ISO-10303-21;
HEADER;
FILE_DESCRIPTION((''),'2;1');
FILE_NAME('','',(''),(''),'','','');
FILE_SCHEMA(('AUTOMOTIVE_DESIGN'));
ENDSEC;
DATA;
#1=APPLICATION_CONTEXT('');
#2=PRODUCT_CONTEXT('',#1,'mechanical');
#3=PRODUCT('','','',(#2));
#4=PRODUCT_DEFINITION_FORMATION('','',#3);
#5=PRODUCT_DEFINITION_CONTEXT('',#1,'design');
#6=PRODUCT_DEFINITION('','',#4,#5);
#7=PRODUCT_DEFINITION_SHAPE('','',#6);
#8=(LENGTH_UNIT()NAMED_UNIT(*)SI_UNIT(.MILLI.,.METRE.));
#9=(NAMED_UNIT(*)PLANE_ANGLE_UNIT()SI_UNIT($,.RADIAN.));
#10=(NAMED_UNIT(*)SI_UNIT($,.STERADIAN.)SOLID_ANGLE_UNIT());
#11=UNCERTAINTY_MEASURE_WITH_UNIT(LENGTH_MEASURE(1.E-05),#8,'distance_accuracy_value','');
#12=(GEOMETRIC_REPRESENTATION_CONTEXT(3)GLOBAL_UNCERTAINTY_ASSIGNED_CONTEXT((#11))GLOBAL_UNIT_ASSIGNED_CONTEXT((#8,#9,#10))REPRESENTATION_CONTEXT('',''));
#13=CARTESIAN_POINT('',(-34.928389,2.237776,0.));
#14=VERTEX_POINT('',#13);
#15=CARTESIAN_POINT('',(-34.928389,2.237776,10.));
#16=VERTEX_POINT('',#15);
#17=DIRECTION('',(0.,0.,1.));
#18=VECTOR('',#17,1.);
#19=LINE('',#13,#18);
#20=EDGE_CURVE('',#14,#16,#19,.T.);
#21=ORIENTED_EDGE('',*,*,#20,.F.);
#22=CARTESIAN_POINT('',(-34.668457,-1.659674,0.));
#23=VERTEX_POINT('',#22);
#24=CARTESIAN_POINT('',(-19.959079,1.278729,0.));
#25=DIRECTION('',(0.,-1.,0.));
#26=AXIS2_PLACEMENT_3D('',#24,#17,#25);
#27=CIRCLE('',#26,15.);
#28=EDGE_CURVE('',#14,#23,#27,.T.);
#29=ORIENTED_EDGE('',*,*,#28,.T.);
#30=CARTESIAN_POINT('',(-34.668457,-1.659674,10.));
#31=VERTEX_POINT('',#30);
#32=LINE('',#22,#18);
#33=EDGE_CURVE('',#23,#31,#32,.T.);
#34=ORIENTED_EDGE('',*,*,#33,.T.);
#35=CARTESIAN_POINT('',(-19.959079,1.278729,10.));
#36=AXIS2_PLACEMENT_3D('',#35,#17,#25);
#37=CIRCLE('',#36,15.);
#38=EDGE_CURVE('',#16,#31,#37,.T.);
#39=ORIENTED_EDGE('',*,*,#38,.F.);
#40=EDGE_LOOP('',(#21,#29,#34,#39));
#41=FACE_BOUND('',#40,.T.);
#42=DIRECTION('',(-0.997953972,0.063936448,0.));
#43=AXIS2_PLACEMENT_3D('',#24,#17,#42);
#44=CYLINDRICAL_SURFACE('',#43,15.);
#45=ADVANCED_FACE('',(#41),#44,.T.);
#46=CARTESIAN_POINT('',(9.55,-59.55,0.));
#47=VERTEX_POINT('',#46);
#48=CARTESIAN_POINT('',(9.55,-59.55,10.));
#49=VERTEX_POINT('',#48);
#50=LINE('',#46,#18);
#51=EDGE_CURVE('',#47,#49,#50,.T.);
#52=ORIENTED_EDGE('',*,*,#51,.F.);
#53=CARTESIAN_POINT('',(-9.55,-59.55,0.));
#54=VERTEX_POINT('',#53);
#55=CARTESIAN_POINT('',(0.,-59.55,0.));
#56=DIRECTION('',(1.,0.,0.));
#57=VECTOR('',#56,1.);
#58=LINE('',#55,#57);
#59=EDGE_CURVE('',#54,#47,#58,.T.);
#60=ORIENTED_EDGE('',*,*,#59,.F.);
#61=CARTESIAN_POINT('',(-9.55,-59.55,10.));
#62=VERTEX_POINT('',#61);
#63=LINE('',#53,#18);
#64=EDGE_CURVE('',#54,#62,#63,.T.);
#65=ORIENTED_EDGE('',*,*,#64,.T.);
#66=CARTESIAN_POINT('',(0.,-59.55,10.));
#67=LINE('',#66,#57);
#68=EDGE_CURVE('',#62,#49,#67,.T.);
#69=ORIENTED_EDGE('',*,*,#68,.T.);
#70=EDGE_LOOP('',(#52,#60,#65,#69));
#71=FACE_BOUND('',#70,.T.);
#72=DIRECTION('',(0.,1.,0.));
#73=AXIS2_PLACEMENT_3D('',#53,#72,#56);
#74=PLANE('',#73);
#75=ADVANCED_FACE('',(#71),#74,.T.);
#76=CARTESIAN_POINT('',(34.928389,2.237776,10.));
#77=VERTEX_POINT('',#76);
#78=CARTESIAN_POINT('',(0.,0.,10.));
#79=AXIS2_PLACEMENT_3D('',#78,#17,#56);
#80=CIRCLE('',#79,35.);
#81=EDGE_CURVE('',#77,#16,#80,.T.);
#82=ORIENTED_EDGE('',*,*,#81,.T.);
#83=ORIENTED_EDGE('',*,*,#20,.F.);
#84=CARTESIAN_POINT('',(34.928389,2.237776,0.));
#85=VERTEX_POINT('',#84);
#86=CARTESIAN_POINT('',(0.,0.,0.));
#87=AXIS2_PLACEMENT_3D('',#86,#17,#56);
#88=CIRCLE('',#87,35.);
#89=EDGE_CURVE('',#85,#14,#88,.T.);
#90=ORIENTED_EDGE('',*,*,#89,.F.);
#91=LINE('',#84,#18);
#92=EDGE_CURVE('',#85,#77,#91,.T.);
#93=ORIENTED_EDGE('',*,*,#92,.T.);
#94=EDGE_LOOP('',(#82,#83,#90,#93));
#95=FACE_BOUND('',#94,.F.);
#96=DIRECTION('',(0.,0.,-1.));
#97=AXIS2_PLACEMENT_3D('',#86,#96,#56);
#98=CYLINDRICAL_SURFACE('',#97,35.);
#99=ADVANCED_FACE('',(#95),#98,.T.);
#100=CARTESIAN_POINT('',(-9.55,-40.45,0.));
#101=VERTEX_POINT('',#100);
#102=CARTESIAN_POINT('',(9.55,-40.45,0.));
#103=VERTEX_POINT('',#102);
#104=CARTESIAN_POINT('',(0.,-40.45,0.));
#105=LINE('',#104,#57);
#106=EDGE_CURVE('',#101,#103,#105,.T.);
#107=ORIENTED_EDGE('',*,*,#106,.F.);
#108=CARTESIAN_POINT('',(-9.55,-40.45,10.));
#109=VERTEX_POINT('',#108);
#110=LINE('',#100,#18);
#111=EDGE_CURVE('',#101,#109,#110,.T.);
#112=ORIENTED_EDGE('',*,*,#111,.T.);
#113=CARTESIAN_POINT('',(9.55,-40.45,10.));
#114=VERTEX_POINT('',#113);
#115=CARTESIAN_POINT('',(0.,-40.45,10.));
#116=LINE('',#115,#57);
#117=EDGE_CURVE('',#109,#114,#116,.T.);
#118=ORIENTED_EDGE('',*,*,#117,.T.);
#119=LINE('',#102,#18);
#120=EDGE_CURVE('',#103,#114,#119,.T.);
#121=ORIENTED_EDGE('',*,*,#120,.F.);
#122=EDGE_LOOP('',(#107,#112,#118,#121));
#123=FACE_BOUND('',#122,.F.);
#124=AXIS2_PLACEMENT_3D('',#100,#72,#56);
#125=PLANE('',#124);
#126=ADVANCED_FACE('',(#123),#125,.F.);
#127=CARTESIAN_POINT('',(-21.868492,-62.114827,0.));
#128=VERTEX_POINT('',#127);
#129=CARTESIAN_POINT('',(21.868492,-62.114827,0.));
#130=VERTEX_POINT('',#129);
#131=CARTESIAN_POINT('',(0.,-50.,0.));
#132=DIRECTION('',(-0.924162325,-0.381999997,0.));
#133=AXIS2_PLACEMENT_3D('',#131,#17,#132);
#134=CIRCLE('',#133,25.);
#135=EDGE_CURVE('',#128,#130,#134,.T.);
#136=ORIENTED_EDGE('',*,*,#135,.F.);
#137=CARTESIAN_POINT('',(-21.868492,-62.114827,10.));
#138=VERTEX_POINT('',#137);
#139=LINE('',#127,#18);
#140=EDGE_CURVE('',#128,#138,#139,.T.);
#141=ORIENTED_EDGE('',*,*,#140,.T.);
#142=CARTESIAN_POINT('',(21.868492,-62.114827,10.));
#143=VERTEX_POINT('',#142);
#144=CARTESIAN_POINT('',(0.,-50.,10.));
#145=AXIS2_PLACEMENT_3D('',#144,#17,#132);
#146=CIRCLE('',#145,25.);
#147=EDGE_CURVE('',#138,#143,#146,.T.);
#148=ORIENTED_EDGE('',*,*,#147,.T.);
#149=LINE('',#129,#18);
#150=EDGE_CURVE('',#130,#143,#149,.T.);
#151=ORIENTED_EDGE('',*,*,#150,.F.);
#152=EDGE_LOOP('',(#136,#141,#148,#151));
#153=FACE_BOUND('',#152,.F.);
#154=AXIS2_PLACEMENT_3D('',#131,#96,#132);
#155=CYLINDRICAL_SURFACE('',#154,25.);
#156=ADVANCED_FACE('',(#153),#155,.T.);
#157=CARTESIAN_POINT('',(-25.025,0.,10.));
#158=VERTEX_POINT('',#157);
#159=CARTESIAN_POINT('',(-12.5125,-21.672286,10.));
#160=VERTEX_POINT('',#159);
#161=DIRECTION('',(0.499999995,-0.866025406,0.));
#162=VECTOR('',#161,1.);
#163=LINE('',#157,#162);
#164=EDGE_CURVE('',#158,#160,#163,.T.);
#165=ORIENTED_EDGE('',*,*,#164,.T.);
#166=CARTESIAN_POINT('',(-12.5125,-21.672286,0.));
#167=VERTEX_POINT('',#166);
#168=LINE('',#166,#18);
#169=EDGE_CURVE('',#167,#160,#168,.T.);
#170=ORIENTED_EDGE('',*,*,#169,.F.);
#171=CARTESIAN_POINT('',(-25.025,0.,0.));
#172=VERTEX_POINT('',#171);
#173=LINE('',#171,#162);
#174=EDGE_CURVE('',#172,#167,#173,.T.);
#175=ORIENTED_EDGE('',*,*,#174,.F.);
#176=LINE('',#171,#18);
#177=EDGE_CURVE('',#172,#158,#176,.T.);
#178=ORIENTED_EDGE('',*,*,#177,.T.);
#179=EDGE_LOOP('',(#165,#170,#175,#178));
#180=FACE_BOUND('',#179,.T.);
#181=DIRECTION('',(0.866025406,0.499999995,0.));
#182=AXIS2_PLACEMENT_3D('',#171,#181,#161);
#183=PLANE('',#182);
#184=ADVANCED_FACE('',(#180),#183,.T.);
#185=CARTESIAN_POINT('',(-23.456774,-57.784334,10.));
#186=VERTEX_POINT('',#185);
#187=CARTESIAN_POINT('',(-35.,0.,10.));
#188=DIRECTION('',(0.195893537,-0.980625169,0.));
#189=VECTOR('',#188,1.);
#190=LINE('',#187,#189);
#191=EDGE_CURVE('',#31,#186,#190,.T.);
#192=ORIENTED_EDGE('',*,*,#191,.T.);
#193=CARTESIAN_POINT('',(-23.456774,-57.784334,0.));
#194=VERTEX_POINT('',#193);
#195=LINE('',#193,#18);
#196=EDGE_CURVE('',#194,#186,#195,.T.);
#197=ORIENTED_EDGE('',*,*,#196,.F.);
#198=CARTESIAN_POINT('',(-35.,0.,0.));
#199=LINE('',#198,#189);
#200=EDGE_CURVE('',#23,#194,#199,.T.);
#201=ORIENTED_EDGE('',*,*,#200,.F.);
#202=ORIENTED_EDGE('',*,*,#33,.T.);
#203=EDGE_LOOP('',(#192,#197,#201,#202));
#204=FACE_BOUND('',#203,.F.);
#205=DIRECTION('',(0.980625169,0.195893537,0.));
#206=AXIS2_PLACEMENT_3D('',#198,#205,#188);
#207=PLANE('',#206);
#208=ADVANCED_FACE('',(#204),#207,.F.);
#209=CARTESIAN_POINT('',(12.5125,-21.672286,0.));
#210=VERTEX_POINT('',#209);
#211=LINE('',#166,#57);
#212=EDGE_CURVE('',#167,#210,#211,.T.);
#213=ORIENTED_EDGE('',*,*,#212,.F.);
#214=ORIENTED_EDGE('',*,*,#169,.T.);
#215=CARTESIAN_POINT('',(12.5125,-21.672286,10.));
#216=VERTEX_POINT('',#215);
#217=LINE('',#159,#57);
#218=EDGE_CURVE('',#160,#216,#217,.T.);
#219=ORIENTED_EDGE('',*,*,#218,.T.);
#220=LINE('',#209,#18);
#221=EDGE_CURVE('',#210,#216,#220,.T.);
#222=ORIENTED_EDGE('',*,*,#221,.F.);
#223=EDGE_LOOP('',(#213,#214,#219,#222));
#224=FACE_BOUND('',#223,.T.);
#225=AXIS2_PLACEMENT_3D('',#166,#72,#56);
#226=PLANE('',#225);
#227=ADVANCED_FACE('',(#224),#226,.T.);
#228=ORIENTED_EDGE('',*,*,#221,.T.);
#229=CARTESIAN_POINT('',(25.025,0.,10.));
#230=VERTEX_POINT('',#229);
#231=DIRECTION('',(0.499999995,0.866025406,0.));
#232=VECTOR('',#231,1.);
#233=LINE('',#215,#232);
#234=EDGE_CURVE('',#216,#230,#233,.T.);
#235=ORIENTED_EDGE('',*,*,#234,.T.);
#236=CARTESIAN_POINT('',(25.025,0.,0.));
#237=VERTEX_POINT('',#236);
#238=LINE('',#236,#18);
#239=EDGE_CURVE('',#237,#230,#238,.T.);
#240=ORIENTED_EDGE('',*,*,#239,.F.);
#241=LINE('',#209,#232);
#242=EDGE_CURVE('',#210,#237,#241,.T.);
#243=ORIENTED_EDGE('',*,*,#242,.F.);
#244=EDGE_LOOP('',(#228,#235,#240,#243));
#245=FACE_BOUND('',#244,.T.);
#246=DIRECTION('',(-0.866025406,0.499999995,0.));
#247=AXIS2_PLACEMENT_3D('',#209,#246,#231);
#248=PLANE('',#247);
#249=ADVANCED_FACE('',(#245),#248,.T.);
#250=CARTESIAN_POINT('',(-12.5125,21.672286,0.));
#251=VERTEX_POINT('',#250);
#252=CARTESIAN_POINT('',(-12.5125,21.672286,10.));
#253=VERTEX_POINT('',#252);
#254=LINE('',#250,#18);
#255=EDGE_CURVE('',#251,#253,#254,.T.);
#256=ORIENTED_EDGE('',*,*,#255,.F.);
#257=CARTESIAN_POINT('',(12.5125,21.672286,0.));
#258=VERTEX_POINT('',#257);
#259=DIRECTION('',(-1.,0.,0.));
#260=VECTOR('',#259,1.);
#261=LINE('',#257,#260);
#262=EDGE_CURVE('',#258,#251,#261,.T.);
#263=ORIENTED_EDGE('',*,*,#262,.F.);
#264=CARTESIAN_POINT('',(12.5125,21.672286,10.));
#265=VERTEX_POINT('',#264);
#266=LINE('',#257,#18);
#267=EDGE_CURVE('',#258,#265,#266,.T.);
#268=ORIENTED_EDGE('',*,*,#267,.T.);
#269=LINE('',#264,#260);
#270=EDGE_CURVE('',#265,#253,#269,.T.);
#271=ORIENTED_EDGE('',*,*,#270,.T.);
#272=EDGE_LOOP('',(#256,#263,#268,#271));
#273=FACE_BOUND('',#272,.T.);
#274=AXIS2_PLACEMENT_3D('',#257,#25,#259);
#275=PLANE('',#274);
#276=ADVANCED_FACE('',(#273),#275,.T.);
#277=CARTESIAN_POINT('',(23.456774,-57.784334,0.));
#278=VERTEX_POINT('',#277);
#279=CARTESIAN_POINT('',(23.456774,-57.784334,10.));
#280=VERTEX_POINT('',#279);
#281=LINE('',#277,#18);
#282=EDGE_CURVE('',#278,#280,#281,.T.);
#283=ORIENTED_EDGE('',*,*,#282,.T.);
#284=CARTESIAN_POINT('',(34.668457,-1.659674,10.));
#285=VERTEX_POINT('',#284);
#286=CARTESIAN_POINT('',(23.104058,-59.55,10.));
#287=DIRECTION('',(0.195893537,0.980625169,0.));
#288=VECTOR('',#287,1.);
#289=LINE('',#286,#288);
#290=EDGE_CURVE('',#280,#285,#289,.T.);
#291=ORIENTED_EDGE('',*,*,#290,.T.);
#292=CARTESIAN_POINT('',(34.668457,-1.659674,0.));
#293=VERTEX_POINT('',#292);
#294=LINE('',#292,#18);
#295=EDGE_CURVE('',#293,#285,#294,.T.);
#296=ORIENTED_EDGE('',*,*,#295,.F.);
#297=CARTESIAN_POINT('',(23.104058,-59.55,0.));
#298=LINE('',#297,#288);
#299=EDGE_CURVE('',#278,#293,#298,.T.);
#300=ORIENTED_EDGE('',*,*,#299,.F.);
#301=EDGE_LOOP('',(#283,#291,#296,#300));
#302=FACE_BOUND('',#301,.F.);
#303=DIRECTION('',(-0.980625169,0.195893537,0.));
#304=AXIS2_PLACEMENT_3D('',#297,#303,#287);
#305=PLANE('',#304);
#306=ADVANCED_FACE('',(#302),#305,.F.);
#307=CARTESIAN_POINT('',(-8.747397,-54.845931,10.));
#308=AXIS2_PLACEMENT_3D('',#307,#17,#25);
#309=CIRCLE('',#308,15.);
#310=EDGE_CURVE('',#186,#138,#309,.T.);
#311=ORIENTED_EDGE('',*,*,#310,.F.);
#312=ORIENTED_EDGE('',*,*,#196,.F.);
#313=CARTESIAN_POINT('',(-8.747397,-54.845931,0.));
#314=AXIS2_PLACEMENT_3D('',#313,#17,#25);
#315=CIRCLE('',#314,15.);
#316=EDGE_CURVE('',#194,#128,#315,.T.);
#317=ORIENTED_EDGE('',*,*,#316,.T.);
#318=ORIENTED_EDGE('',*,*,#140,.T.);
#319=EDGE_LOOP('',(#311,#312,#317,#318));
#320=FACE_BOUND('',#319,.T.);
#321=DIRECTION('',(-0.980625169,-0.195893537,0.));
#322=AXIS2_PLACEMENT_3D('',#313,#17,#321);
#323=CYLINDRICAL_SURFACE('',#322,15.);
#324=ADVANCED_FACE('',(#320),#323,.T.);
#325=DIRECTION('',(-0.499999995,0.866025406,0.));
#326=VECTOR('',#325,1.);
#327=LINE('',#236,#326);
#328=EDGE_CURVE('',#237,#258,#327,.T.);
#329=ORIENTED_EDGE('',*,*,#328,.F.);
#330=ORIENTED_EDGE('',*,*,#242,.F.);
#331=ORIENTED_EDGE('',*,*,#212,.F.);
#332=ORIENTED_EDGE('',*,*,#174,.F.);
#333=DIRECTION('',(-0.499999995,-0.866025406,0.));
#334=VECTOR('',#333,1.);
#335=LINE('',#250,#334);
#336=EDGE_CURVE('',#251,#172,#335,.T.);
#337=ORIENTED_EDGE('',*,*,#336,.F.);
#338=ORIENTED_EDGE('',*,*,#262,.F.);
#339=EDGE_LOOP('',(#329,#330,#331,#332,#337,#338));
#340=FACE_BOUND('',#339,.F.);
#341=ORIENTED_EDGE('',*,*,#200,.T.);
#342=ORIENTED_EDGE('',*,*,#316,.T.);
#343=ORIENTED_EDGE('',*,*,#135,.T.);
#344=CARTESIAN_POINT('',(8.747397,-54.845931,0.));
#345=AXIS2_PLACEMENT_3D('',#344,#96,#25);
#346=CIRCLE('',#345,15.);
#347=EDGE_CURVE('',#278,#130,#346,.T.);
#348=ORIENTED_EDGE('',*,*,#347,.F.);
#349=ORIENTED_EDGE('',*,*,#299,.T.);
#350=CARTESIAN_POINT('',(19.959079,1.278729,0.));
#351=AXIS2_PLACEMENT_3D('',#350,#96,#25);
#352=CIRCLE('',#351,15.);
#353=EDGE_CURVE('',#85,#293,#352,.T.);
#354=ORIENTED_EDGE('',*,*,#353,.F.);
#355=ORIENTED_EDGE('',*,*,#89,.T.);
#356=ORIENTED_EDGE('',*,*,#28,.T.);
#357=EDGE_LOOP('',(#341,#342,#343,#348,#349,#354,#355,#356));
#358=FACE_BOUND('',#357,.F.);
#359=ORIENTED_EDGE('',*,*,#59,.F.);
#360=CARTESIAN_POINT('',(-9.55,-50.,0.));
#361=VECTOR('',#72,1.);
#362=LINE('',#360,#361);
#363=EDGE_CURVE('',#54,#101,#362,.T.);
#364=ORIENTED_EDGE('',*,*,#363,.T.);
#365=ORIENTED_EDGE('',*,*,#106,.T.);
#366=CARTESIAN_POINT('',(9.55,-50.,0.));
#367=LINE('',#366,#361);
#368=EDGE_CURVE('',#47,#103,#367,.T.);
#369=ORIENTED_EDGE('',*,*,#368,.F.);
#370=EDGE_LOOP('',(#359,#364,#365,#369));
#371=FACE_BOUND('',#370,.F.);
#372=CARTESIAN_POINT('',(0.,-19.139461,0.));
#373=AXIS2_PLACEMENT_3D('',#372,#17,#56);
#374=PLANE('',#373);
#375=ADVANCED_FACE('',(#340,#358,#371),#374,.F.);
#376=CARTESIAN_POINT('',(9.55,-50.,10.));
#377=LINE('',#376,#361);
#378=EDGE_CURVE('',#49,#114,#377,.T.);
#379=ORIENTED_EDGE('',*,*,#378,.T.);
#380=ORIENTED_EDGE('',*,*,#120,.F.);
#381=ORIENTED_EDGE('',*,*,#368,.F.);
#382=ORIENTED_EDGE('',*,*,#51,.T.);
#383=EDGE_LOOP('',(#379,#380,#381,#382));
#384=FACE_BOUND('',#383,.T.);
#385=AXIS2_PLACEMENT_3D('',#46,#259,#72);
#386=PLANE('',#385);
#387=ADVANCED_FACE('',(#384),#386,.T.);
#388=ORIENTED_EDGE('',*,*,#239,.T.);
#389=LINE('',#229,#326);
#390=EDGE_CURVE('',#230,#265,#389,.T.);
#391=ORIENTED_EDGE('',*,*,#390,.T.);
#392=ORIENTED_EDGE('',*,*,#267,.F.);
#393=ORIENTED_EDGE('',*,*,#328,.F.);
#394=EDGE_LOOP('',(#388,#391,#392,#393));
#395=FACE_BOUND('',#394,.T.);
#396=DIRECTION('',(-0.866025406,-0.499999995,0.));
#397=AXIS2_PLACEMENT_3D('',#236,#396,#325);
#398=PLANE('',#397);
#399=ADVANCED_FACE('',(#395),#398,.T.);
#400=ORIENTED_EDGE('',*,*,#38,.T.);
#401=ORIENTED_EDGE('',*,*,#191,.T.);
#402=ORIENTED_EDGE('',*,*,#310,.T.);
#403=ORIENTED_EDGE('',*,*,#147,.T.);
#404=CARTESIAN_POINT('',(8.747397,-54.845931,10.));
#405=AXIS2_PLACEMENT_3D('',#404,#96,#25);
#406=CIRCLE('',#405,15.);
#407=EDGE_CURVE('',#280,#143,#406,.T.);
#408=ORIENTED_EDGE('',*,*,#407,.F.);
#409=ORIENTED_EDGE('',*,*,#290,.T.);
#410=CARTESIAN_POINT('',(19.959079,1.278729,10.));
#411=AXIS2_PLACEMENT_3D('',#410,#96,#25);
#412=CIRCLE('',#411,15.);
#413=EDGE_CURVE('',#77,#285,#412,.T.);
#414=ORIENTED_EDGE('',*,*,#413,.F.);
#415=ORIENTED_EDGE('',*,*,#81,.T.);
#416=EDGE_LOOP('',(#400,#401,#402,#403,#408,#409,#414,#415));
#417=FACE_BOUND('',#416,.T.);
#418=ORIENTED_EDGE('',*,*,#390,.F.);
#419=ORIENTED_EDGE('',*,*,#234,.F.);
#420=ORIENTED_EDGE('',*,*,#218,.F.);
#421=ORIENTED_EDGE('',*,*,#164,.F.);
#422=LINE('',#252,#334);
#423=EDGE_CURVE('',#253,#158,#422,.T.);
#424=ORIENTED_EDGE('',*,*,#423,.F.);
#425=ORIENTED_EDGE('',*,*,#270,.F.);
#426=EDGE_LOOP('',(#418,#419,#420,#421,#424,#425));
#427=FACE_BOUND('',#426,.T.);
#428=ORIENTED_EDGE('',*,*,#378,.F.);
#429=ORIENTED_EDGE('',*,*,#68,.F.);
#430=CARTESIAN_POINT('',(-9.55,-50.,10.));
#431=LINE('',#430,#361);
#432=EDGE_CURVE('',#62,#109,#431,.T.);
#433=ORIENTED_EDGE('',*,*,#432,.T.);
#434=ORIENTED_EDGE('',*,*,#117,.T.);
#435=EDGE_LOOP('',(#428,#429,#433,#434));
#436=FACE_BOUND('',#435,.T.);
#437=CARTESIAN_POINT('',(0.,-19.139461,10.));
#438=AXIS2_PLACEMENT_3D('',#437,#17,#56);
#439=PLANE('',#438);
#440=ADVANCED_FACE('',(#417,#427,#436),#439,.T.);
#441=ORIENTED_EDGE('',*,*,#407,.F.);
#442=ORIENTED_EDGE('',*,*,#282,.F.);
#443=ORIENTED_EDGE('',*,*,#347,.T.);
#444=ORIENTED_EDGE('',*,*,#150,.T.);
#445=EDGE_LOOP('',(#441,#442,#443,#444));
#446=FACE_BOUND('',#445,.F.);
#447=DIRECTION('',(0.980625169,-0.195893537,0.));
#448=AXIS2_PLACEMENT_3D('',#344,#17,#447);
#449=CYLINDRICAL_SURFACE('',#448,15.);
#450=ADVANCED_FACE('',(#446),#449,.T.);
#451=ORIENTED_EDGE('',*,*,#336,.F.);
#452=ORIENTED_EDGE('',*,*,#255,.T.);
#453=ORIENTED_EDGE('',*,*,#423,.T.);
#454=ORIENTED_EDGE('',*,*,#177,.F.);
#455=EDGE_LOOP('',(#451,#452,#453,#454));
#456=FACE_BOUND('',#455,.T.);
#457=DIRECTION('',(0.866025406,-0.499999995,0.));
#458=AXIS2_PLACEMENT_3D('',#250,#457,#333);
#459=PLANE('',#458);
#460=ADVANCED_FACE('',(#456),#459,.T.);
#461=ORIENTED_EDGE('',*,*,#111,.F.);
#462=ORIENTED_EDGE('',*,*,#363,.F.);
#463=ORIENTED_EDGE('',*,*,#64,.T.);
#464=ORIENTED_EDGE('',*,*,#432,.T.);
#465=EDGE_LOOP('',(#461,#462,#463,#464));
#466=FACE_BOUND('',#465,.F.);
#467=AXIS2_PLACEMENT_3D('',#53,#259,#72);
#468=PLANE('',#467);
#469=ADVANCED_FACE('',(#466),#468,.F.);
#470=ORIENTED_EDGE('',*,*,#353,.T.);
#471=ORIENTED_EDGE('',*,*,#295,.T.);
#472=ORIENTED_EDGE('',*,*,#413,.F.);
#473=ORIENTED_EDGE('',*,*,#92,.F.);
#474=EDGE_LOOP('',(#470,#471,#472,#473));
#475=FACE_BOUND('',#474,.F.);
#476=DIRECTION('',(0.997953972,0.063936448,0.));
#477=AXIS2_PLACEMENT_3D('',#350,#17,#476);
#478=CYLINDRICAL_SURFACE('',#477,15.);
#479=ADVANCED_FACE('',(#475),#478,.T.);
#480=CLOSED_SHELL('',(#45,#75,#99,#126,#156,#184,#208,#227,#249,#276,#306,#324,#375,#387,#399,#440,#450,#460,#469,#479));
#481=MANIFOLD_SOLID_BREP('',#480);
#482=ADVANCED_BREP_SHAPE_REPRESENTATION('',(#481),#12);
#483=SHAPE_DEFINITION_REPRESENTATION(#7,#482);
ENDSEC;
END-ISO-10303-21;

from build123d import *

# Parameters (mm, degrees)
SKETCH_W  = 19.1
SKETCH_H  = 19.1
PAD_DEPTH = 10
FILLET_R  = 15


with BuildPart() as part:
    # Sketch → Pad (new body)
    with BuildSketch(Plane.XY):
        with BuildLine():
            ThreePointArc((35, 0), (0, 35), (-35, 0))
            Line((-35, 0), (-23.104058, -59.55))
            ThreePointArc((-23.104058, -59.55), (0, -75), (23.104058, -59.55))
            Line((23.104058, -59.55), (35, 0))
        make_face()
        Polygon((-25.025, 0), (-12.5125, -21.672286), (12.5125, -21.672286), (25.025, 0), (12.5125, 21.672286), (-12.5125, 21.672286), align=None, mode=Mode.SUBTRACT)
        with Locations((0, -50)):
            Rectangle(SKETCH_W, SKETCH_H, mode=Mode.SUBTRACT)
    extrude(amount=PAD_DEPTH)

    # Fillet
    fillet_edges = [part.edges().sort_by_distance(p)[0] for p in [
        (-35, 0, 5),
        (-23.104058, -59.55, 5),
        (23.104058, -59.55, 5),
        (35, 0, 5),
    ]]
    fillet(fillet_edges, radius=FILLET_R)


solid = part.part
